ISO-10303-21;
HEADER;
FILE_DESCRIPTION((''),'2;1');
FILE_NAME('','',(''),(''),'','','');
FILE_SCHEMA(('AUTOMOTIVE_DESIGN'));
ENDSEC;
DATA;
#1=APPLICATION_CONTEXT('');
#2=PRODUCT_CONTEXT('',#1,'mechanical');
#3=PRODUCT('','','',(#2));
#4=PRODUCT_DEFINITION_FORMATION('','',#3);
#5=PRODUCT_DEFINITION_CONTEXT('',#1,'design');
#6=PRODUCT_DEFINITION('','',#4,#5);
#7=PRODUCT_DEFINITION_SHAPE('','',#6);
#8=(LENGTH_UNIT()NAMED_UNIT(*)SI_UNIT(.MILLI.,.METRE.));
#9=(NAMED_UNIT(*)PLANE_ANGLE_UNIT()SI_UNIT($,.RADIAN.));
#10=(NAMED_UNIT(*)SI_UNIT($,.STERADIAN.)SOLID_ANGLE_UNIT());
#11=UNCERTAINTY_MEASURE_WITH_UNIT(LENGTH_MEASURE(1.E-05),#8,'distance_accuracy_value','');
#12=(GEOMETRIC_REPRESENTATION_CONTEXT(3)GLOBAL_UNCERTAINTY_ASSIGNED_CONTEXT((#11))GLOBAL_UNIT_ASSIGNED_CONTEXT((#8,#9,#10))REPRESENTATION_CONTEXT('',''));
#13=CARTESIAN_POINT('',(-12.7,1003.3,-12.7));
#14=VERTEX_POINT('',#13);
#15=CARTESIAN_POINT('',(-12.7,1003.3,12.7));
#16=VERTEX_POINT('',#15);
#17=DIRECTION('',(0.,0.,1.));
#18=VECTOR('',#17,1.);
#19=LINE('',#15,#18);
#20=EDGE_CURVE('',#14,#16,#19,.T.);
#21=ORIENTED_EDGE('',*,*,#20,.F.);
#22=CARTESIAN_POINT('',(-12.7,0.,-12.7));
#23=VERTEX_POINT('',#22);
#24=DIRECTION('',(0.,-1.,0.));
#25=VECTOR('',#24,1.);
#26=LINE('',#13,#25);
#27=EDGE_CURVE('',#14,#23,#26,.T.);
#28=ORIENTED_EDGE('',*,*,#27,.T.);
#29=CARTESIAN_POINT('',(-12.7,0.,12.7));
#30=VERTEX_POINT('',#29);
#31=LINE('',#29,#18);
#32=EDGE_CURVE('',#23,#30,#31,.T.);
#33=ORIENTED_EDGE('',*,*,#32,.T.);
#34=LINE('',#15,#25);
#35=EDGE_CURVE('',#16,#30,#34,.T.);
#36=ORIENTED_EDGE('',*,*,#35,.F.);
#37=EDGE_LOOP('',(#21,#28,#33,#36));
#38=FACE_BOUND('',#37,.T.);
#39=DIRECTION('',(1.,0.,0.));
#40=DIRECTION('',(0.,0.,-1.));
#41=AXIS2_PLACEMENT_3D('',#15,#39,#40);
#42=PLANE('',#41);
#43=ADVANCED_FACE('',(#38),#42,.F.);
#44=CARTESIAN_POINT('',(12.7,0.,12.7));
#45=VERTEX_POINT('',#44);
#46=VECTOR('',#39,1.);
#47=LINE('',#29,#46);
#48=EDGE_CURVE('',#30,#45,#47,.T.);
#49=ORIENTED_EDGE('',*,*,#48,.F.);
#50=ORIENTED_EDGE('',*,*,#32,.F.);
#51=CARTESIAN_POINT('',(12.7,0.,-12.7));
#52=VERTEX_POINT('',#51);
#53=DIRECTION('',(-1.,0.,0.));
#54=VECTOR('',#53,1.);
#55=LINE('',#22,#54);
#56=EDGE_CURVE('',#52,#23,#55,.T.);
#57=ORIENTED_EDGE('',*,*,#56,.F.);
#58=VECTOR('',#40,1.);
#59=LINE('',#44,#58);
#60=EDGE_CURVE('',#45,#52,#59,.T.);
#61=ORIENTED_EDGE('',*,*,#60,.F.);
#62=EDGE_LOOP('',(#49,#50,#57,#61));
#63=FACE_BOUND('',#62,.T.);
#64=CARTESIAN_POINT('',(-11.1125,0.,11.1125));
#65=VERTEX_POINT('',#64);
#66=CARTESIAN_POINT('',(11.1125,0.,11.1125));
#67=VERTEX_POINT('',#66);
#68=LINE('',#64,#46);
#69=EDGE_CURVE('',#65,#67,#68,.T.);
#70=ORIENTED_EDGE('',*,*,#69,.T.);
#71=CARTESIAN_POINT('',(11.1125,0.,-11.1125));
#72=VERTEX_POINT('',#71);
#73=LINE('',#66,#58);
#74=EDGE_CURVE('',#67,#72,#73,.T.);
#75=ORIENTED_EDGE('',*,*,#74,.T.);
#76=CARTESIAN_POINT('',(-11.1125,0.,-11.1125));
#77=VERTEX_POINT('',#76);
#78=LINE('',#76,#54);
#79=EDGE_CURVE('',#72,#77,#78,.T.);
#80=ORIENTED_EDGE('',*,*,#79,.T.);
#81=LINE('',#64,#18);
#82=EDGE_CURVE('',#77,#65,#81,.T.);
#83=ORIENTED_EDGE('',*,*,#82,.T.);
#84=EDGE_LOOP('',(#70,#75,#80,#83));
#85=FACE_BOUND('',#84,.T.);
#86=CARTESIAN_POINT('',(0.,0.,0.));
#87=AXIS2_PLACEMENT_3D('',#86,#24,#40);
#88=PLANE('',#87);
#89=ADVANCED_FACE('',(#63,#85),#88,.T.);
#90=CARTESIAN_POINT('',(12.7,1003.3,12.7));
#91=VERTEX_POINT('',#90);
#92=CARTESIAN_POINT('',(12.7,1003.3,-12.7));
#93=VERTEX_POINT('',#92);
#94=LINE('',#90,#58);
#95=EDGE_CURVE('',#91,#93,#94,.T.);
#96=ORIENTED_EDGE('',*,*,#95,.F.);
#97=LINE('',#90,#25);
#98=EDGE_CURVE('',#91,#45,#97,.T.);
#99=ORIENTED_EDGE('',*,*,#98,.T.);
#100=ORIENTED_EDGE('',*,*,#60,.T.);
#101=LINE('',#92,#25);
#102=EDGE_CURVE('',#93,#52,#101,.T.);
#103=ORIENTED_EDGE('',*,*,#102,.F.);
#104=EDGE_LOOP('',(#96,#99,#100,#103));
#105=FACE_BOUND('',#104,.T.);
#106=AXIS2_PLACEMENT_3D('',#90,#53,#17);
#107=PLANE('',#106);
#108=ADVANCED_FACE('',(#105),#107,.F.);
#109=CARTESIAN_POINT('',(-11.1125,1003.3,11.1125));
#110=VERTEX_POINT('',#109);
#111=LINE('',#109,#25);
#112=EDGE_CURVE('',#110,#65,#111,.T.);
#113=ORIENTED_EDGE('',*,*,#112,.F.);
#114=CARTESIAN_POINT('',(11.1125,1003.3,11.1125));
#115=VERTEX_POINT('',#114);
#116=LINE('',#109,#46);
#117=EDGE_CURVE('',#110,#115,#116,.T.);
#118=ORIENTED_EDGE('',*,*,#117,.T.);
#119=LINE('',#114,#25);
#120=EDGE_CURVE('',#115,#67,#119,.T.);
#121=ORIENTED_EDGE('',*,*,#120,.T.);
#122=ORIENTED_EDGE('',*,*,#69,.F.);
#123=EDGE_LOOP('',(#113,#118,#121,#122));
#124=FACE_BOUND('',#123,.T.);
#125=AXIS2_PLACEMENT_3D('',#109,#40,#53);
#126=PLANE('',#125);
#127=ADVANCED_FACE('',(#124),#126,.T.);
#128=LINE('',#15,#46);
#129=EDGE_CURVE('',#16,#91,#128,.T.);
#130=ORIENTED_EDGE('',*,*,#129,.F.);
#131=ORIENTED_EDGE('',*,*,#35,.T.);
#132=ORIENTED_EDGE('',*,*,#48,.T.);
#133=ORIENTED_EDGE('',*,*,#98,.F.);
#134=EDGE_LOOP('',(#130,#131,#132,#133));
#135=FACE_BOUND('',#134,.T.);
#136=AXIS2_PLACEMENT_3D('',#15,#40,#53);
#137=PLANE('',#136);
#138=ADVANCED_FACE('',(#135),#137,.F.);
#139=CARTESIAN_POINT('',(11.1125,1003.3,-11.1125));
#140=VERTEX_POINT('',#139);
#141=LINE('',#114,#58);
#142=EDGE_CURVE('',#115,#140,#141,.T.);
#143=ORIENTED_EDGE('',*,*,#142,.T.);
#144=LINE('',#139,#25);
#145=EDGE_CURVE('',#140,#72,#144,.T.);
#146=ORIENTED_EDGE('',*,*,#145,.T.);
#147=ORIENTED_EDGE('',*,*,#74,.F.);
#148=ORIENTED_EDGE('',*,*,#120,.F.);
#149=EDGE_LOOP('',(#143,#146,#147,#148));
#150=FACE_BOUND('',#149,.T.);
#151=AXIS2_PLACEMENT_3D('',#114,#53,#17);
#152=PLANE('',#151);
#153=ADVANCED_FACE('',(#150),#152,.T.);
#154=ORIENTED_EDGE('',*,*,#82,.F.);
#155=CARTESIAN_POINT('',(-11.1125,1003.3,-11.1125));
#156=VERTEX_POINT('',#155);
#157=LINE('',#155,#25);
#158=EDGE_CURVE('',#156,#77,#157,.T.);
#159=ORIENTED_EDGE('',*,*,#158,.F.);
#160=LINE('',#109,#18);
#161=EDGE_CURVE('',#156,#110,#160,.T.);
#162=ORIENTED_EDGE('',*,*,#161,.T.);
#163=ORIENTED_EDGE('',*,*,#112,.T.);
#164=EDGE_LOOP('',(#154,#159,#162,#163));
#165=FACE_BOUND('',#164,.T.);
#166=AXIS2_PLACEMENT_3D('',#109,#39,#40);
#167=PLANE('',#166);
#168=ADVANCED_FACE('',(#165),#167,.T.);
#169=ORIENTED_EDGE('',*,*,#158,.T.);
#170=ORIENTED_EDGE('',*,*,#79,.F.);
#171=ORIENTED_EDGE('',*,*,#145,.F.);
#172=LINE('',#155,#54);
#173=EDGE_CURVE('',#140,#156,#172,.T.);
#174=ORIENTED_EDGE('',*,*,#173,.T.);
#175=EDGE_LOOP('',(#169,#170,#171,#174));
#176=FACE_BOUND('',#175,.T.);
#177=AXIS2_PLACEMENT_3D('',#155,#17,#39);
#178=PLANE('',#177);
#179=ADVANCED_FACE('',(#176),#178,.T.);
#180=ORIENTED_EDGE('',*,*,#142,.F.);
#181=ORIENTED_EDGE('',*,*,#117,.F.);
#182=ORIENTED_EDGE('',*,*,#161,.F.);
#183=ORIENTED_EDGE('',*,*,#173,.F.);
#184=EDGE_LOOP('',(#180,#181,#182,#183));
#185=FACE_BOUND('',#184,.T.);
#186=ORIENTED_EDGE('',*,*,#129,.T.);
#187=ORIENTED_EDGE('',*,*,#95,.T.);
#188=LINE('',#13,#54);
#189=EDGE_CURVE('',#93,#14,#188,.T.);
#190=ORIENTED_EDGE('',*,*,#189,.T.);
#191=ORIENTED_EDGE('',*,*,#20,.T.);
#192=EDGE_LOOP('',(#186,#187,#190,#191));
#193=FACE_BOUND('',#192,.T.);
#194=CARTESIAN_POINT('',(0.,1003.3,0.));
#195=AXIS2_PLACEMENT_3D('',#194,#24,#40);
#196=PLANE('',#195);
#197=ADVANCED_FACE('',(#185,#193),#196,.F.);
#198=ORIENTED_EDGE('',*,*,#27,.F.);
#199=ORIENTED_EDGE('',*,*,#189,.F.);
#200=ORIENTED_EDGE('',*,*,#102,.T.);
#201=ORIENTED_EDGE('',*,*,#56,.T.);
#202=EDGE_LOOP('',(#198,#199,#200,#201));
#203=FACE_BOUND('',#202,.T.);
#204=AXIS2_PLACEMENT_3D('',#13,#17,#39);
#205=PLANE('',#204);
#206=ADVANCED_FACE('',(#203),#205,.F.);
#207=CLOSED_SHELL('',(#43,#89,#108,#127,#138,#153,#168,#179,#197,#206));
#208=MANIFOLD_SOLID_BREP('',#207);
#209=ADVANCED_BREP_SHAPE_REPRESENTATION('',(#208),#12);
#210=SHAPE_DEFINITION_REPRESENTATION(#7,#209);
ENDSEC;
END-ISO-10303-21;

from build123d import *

# Parameters (mm, degrees)
SKETCH1_W           = 25.4
SKETCH1_H           = 25.4
SKETCH1_W_2         = 22.225
SKETCH1_H_2         = 22.225
BOSS_EXTRUDE1_DEPTH = 1003.3


with BuildPart() as part:
    # Sketch1 → Boss-Extrude1 (new body)
    with BuildSketch(Plane(origin=(0, 0, 0), x_dir=(1, 0, 0), z_dir=(0, 1, 0))):
        Rectangle(SKETCH1_W, SKETCH1_H)
        Rectangle(SKETCH1_W_2, SKETCH1_H_2, mode=Mode.SUBTRACT)
    extrude(amount=BOSS_EXTRUDE1_DEPTH)


solid = part.part
